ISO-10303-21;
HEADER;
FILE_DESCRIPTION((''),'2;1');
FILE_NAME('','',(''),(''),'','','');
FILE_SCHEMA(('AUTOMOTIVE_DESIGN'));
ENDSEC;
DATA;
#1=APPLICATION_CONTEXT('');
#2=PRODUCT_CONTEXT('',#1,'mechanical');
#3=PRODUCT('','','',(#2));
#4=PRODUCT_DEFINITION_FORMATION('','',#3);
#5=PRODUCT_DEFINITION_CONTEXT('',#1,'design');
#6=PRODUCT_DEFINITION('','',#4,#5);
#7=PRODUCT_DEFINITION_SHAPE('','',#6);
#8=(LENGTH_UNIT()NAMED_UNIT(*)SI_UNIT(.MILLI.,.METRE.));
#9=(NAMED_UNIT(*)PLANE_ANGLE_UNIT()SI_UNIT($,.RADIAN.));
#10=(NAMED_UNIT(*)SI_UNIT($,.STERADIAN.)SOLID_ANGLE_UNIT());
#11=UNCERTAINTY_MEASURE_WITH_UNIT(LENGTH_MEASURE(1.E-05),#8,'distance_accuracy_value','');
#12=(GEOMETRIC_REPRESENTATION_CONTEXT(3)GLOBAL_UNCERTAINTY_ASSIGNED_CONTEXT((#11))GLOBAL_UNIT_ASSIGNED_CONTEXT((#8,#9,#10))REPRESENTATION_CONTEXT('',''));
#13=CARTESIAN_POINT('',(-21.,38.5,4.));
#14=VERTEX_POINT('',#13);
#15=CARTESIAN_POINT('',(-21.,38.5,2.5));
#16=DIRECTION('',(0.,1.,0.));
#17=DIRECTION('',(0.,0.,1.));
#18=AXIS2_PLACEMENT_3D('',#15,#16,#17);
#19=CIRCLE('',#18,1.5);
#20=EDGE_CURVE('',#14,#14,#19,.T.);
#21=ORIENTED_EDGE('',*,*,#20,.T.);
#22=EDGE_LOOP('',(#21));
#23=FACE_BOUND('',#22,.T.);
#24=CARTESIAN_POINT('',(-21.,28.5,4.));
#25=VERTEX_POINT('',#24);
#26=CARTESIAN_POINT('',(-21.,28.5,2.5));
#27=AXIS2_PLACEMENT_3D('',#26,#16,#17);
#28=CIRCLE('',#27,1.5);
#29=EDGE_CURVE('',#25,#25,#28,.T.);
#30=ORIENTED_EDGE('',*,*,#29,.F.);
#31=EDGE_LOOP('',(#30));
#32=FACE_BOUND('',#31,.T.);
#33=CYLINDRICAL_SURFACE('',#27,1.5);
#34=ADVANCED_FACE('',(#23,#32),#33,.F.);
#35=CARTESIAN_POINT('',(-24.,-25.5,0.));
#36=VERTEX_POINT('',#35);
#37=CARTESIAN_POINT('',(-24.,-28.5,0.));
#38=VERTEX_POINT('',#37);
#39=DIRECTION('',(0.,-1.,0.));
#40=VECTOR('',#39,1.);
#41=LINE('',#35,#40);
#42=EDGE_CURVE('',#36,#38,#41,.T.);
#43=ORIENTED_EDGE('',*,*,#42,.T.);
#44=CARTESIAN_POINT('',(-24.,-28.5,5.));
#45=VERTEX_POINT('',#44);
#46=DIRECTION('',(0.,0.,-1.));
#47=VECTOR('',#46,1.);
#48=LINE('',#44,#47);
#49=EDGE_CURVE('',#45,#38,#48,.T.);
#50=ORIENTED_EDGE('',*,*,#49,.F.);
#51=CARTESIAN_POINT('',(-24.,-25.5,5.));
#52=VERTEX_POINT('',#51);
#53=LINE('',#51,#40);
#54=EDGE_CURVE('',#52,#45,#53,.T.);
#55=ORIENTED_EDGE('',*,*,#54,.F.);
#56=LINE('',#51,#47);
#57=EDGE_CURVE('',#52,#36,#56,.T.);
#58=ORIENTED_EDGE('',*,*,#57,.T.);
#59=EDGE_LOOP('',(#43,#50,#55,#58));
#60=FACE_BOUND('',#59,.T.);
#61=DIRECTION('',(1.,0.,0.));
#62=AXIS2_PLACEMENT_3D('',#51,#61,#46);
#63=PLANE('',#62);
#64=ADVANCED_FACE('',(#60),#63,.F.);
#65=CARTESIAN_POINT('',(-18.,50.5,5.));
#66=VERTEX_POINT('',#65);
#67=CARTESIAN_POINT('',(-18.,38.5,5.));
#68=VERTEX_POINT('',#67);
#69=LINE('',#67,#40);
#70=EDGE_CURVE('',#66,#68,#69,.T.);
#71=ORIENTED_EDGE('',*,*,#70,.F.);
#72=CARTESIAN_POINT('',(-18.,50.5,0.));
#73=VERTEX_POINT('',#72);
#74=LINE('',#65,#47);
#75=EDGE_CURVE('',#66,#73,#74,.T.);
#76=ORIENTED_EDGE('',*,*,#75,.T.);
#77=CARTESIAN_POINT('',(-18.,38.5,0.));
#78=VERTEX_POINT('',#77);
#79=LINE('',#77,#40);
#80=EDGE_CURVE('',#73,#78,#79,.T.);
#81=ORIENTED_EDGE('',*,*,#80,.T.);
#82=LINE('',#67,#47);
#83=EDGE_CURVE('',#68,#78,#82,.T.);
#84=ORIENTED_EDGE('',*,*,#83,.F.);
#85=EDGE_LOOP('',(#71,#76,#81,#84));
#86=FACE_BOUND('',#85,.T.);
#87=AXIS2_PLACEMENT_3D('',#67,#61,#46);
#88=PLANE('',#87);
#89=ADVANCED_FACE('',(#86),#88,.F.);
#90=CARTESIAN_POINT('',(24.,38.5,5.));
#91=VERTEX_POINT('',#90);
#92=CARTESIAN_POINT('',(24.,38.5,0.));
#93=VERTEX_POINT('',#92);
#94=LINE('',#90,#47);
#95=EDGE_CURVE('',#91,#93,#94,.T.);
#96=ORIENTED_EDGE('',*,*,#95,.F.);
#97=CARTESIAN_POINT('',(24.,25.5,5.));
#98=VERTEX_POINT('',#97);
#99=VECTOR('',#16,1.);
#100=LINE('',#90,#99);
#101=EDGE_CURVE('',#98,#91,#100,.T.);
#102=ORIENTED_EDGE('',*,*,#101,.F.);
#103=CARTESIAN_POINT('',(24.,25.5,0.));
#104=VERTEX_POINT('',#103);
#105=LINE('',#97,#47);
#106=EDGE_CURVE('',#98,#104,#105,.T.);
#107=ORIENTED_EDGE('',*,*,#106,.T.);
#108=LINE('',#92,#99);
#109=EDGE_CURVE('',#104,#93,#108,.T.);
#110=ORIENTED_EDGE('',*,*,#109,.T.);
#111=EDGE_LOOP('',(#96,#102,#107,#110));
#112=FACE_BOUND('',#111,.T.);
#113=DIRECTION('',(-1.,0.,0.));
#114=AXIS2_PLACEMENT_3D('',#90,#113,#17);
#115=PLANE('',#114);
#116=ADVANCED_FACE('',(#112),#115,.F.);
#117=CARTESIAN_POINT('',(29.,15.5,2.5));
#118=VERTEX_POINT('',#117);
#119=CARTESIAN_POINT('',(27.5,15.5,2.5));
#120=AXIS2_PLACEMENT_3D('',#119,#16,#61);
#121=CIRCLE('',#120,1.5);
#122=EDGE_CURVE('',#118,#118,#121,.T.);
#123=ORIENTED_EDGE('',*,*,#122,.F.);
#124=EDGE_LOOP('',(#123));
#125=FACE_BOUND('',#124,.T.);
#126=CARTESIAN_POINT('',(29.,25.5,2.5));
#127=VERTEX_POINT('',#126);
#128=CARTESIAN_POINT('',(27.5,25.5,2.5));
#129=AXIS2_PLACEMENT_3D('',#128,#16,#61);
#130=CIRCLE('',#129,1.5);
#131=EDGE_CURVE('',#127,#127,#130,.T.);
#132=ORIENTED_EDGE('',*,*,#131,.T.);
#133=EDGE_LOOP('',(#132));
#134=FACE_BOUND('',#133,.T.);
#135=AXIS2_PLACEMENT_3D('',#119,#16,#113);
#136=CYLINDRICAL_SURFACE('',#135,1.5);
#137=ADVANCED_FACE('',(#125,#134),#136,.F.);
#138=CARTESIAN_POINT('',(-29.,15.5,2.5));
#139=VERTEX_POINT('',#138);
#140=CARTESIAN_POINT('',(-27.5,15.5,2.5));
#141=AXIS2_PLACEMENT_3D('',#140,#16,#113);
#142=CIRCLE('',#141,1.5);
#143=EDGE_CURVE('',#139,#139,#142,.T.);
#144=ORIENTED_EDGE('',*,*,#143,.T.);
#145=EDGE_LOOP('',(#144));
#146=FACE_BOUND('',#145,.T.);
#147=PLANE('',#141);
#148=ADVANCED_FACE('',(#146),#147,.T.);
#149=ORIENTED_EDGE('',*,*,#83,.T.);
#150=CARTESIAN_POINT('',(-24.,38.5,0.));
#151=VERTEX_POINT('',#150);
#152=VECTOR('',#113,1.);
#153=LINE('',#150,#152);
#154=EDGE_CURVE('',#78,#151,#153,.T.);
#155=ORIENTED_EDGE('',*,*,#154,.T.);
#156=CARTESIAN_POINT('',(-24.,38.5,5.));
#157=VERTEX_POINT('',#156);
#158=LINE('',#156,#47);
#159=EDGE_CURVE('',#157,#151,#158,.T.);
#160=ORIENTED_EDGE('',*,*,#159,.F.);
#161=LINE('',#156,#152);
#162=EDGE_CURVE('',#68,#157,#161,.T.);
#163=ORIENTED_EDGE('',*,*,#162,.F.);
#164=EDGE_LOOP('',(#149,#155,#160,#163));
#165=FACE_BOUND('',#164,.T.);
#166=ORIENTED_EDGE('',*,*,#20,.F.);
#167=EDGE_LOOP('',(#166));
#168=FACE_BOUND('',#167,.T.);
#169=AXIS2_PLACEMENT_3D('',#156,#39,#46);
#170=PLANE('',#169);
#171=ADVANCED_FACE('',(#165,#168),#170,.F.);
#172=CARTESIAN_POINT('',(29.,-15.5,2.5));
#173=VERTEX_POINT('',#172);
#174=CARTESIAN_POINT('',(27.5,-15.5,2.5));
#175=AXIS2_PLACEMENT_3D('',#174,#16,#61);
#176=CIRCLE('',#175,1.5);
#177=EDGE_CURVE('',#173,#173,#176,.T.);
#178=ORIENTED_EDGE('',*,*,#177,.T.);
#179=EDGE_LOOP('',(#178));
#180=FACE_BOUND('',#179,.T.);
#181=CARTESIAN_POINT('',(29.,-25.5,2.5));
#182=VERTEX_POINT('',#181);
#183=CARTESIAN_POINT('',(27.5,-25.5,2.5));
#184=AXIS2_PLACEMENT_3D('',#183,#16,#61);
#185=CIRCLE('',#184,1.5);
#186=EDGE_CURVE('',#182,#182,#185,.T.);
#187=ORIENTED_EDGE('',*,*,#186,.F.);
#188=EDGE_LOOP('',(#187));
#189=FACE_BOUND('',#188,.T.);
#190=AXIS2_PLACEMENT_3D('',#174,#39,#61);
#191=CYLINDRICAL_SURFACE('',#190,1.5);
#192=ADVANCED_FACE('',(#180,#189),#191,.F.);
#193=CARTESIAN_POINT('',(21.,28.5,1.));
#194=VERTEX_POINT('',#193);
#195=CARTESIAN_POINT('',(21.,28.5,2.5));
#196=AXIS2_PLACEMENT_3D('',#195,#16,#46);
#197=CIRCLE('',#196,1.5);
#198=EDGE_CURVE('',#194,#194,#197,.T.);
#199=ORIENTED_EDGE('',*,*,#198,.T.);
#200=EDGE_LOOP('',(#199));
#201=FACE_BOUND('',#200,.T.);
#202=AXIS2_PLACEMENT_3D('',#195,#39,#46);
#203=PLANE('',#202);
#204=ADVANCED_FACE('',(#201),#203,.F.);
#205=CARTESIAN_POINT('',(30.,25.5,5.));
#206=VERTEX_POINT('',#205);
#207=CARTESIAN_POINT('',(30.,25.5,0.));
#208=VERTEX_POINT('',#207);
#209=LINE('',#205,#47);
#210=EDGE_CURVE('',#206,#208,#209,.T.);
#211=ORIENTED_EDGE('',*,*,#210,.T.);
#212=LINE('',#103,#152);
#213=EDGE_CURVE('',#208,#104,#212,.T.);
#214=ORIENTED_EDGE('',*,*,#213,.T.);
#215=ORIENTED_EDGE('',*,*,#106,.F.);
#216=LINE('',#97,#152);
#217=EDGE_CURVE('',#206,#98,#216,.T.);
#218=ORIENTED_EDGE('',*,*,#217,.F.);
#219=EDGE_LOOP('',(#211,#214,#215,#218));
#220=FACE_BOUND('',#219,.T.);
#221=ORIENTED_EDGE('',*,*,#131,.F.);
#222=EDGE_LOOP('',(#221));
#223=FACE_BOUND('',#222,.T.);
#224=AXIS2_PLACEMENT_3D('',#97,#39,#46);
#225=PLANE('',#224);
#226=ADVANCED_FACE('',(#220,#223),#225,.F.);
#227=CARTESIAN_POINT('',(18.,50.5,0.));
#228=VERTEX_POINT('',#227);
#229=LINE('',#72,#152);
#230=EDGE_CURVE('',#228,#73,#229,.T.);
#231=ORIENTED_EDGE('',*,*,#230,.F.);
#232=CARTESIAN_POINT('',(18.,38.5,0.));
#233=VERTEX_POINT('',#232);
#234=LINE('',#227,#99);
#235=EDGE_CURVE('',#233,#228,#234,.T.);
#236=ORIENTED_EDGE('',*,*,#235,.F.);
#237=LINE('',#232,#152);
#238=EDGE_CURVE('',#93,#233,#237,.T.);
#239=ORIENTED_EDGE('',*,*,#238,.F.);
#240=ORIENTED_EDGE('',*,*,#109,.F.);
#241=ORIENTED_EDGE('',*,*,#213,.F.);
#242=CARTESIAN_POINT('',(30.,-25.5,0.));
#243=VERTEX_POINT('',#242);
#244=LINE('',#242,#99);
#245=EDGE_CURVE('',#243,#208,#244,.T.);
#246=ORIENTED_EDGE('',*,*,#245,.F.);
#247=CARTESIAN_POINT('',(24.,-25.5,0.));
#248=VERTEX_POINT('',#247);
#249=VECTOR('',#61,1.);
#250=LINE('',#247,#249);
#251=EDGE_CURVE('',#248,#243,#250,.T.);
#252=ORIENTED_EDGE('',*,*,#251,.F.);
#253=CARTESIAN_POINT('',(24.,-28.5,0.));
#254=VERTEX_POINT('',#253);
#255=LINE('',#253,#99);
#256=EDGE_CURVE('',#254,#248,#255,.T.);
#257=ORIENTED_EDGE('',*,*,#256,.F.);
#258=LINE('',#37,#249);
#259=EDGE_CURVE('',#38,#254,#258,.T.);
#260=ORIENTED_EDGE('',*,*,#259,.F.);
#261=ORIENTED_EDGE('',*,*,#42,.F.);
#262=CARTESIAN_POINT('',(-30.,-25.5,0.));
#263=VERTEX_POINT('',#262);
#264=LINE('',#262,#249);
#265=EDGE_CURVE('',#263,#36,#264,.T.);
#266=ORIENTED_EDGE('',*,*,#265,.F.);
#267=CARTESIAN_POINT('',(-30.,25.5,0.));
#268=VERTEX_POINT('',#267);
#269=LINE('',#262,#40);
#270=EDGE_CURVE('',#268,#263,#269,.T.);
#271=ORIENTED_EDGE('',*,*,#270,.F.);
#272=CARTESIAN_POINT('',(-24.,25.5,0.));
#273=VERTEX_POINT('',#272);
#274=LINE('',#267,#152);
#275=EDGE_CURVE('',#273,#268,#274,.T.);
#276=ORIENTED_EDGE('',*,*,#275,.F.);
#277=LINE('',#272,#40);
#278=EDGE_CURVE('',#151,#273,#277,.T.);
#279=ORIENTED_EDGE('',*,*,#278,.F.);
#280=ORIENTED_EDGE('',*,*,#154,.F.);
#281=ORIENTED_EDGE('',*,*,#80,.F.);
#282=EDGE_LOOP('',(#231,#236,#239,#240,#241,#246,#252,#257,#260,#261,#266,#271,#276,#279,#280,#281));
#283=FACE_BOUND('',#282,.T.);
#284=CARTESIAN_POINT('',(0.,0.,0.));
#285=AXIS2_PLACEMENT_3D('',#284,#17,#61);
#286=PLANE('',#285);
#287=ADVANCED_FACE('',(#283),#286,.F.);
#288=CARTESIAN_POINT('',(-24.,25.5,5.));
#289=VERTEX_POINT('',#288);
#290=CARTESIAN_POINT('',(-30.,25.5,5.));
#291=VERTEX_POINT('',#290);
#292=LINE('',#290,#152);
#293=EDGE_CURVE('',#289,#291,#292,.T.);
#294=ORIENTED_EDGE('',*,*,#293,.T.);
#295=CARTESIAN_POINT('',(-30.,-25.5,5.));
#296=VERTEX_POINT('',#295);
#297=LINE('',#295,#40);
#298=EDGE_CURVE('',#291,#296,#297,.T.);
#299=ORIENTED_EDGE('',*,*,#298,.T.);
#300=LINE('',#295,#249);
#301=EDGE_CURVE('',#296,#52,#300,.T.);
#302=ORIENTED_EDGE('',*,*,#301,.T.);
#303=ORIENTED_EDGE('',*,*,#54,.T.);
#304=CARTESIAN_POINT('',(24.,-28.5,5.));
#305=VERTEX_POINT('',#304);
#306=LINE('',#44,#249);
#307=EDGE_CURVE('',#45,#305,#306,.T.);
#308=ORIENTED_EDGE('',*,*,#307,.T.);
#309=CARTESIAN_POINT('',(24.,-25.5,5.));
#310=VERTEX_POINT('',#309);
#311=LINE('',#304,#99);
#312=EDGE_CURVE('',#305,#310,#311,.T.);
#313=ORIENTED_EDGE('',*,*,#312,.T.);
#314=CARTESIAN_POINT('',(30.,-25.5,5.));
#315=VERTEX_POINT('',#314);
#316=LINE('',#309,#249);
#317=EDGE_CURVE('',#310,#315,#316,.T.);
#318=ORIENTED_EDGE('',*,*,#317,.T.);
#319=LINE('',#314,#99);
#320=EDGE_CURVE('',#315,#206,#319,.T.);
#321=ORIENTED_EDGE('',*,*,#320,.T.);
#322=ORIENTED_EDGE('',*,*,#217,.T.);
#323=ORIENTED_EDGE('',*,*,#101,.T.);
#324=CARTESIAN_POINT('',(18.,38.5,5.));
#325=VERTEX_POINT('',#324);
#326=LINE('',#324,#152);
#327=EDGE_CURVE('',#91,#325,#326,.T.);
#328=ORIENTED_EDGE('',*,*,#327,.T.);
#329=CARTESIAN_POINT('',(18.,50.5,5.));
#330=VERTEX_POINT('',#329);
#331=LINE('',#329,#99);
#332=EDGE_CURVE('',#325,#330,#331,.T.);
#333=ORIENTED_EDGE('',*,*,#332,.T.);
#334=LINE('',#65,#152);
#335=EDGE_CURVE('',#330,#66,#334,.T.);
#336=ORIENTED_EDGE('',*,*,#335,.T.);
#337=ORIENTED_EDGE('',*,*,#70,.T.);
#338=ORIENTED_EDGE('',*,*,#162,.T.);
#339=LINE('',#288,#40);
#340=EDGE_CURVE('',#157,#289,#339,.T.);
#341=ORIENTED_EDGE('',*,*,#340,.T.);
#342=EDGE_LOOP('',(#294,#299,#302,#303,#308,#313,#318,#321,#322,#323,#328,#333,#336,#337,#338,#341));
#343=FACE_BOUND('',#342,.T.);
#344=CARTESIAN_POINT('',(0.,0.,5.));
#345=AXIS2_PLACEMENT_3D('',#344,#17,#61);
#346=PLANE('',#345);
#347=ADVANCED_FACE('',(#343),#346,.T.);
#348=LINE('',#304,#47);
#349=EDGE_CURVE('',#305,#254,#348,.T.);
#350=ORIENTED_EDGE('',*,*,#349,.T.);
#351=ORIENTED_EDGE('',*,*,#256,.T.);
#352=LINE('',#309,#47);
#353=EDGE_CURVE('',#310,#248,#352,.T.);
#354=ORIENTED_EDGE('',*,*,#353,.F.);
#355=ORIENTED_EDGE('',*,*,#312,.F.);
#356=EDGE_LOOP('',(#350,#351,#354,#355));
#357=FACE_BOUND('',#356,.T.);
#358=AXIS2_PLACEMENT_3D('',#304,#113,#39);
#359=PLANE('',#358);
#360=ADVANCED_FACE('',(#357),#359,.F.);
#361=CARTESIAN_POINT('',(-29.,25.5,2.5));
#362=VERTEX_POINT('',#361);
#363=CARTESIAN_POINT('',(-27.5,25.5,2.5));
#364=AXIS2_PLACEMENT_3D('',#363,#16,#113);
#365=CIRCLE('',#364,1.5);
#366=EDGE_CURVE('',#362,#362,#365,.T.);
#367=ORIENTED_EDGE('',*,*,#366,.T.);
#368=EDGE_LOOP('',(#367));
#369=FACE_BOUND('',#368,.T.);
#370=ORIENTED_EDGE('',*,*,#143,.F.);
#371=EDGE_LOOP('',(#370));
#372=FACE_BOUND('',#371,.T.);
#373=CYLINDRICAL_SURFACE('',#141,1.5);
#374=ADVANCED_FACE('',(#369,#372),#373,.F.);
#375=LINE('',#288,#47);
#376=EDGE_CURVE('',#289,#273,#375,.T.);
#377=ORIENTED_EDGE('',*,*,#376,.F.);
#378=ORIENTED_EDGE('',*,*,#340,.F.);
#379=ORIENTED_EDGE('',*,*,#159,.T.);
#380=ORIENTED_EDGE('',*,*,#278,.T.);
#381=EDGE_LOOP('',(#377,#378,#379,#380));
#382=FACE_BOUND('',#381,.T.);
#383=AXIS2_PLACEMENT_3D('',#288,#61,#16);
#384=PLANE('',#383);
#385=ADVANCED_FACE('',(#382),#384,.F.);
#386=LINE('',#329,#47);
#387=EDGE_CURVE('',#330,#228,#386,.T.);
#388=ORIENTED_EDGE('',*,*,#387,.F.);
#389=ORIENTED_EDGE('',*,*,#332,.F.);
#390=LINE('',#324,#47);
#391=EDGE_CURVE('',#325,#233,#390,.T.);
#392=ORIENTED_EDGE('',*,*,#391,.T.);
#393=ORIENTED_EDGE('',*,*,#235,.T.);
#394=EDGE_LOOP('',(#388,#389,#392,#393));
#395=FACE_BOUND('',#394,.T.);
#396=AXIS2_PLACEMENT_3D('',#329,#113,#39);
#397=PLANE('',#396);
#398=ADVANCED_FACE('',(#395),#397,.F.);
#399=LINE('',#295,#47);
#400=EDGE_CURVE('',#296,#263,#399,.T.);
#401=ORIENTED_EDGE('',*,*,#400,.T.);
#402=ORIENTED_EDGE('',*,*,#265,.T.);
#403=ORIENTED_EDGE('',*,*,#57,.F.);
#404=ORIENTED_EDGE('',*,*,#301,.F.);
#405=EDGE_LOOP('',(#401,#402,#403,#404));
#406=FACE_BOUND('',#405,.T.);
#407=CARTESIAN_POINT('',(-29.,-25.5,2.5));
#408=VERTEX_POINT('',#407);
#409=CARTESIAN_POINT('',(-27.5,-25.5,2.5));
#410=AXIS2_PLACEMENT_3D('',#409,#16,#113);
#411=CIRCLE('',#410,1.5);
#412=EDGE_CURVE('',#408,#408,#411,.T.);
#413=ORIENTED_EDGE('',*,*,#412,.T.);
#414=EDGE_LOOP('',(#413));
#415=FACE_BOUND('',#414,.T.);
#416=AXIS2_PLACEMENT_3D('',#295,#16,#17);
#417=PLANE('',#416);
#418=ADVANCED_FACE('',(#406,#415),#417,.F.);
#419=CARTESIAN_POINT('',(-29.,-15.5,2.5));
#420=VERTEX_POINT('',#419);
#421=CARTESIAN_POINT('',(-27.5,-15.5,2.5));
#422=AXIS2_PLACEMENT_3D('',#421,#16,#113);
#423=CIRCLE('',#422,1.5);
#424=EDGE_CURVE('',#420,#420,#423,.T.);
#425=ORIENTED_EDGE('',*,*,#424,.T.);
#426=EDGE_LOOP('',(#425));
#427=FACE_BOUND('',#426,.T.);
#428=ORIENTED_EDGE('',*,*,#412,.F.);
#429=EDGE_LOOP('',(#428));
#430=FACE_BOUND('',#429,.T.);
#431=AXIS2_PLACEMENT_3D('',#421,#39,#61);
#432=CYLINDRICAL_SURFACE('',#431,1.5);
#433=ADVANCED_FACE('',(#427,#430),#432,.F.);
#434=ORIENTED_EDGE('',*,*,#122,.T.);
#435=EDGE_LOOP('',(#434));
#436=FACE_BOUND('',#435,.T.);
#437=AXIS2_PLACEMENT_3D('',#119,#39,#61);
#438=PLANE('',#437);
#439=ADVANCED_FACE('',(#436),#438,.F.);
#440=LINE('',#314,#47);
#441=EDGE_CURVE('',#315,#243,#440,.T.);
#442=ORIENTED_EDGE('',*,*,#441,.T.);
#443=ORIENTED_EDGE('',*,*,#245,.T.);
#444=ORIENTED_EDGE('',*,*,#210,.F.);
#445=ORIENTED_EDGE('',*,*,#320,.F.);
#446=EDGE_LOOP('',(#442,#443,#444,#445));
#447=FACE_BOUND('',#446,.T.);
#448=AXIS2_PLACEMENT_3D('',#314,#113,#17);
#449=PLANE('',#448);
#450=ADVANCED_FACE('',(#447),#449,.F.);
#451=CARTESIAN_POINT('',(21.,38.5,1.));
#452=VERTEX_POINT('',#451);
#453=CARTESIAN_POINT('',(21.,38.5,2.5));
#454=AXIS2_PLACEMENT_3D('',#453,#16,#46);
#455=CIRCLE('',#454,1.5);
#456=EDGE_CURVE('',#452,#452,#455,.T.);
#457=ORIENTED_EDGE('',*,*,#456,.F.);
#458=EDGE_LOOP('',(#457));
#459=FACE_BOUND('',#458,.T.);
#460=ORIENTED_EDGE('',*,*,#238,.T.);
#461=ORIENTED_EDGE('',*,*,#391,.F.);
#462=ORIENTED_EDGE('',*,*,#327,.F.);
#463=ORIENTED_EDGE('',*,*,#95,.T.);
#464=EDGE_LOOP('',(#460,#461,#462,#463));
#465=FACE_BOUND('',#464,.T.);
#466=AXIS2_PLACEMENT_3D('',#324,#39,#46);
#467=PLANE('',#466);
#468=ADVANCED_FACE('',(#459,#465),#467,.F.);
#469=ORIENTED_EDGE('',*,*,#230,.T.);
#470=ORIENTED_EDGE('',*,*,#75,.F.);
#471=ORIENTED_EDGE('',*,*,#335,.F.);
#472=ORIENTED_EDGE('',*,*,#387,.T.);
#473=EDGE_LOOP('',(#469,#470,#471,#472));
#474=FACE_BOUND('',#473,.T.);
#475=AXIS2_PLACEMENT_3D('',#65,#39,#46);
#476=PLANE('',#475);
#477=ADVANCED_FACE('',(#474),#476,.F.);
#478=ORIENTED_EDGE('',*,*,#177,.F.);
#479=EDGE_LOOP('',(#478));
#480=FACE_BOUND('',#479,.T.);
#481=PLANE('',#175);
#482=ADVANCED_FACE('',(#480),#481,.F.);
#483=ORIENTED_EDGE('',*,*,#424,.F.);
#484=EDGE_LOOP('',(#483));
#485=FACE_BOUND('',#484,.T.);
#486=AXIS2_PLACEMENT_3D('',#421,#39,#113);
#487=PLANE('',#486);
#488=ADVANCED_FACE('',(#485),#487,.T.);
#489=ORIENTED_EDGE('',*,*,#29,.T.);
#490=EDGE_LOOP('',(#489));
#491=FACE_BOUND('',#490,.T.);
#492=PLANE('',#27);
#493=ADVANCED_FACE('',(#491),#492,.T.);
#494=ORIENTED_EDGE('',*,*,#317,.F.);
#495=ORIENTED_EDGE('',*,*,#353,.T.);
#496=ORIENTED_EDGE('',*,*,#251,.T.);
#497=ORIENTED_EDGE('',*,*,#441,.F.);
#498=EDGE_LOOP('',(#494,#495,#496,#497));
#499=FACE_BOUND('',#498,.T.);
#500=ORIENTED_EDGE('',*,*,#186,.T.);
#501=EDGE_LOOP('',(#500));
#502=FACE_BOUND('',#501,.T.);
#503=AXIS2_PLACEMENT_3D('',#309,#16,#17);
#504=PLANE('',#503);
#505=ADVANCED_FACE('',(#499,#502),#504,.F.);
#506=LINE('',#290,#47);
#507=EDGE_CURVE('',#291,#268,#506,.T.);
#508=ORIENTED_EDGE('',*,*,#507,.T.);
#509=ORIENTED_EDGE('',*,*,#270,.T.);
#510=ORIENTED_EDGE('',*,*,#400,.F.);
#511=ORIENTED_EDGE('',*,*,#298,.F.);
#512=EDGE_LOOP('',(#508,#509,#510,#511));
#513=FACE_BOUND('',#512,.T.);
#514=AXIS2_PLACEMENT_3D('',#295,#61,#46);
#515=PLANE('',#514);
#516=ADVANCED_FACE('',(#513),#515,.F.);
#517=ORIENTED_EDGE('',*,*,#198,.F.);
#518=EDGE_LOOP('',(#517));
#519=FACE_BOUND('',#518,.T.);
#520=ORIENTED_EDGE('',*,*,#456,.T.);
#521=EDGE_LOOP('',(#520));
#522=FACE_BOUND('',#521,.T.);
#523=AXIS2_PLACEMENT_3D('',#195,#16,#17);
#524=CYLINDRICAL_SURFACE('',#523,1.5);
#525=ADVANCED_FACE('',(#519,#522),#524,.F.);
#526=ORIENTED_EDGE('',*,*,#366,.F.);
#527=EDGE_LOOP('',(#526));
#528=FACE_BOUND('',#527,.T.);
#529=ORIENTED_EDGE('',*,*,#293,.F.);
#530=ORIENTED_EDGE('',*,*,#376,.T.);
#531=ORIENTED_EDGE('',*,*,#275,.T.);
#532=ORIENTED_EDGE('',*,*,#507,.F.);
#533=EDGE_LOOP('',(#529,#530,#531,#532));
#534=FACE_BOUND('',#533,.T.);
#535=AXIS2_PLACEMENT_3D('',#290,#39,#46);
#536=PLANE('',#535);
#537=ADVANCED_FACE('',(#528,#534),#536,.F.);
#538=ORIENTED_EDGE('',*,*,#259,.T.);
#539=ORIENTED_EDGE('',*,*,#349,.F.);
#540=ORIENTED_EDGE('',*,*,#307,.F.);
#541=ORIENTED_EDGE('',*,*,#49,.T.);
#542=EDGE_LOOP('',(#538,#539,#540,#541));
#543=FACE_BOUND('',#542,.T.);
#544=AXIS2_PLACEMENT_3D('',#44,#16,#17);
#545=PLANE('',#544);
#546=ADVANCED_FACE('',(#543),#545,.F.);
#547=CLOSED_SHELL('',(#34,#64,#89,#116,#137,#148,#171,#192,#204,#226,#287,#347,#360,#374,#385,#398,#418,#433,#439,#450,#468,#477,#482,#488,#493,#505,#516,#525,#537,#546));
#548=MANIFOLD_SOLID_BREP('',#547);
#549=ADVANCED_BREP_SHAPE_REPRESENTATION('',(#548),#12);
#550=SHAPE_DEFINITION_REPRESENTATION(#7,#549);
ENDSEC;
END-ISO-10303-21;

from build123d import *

# Parameters (mm, degrees)
EXTRUDE_1_DEPTH     = 5
SKETCH_2_R          = 1.5
CUT_EXTRUDE_1_DEPTH = 10
SKETCH_3_R          = 1.5
CUT_EXTRUDE_2_DEPTH = 10


with BuildPart() as part:
    # ｽｹｯﾁ1 → ﾎﾞｽ - 押し出し1 (new body)
    with BuildSketch(Plane.XY):
        Polygon((30, -25.5), (30, 25.5), (24, 25.5), (24, 38.5), (18, 38.5), (18, 50.5), (-18, 50.5), (-18, 38.5), (-24, 38.5), (-24, 25.5), (-30, 25.5), (-30, -25.5), (-24, -25.5), (-24, -28.5), (24, -28.5), (24, -25.5), align=None)
    extrude(amount=EXTRUDE_1_DEPTH)

    # ｽｹｯﾁ2 → ｶｯﾄ - 押し出し1 (cut)
    with BuildSketch(Plane(origin=(0, 25.5, 0), x_dir=(1, 0, 0), z_dir=(0, 1, 0))):
        with Locations(Location((-27.5, -2.5, 0), (0, 0, 180))):
            Circle(SKETCH_2_R)
        with Locations((27.5, -2.5)):
            Circle(SKETCH_2_R)
    cut_extrude_1 = extrude(amount=-CUT_EXTRUDE_1_DEPTH, mode=Mode.SUBTRACT)

    # ﾐﾗｰ1: ｶｯﾄ - 押し出し1 across plane
    add(cut_extrude_1.mirror(Plane.ZX), mode=Mode.SUBTRACT)

    # ｽｹｯﾁ3 → ｶｯﾄ - 押し出し2 (cut)
    with BuildSketch(Plane(origin=(0, 38.5, 0), x_dir=(1, 0, 0), z_dir=(0, 1, 0))):
        with Locations(Location((-21, -2.5, 0), (0, 0, 270))):
            Circle(SKETCH_3_R)
        with Locations(Location((21, -2.5, 0), (0, 0, 90))):
            Circle(SKETCH_3_R)
    extrude(amount=-CUT_EXTRUDE_2_DEPTH, mode=Mode.SUBTRACT)


solid = part.part
